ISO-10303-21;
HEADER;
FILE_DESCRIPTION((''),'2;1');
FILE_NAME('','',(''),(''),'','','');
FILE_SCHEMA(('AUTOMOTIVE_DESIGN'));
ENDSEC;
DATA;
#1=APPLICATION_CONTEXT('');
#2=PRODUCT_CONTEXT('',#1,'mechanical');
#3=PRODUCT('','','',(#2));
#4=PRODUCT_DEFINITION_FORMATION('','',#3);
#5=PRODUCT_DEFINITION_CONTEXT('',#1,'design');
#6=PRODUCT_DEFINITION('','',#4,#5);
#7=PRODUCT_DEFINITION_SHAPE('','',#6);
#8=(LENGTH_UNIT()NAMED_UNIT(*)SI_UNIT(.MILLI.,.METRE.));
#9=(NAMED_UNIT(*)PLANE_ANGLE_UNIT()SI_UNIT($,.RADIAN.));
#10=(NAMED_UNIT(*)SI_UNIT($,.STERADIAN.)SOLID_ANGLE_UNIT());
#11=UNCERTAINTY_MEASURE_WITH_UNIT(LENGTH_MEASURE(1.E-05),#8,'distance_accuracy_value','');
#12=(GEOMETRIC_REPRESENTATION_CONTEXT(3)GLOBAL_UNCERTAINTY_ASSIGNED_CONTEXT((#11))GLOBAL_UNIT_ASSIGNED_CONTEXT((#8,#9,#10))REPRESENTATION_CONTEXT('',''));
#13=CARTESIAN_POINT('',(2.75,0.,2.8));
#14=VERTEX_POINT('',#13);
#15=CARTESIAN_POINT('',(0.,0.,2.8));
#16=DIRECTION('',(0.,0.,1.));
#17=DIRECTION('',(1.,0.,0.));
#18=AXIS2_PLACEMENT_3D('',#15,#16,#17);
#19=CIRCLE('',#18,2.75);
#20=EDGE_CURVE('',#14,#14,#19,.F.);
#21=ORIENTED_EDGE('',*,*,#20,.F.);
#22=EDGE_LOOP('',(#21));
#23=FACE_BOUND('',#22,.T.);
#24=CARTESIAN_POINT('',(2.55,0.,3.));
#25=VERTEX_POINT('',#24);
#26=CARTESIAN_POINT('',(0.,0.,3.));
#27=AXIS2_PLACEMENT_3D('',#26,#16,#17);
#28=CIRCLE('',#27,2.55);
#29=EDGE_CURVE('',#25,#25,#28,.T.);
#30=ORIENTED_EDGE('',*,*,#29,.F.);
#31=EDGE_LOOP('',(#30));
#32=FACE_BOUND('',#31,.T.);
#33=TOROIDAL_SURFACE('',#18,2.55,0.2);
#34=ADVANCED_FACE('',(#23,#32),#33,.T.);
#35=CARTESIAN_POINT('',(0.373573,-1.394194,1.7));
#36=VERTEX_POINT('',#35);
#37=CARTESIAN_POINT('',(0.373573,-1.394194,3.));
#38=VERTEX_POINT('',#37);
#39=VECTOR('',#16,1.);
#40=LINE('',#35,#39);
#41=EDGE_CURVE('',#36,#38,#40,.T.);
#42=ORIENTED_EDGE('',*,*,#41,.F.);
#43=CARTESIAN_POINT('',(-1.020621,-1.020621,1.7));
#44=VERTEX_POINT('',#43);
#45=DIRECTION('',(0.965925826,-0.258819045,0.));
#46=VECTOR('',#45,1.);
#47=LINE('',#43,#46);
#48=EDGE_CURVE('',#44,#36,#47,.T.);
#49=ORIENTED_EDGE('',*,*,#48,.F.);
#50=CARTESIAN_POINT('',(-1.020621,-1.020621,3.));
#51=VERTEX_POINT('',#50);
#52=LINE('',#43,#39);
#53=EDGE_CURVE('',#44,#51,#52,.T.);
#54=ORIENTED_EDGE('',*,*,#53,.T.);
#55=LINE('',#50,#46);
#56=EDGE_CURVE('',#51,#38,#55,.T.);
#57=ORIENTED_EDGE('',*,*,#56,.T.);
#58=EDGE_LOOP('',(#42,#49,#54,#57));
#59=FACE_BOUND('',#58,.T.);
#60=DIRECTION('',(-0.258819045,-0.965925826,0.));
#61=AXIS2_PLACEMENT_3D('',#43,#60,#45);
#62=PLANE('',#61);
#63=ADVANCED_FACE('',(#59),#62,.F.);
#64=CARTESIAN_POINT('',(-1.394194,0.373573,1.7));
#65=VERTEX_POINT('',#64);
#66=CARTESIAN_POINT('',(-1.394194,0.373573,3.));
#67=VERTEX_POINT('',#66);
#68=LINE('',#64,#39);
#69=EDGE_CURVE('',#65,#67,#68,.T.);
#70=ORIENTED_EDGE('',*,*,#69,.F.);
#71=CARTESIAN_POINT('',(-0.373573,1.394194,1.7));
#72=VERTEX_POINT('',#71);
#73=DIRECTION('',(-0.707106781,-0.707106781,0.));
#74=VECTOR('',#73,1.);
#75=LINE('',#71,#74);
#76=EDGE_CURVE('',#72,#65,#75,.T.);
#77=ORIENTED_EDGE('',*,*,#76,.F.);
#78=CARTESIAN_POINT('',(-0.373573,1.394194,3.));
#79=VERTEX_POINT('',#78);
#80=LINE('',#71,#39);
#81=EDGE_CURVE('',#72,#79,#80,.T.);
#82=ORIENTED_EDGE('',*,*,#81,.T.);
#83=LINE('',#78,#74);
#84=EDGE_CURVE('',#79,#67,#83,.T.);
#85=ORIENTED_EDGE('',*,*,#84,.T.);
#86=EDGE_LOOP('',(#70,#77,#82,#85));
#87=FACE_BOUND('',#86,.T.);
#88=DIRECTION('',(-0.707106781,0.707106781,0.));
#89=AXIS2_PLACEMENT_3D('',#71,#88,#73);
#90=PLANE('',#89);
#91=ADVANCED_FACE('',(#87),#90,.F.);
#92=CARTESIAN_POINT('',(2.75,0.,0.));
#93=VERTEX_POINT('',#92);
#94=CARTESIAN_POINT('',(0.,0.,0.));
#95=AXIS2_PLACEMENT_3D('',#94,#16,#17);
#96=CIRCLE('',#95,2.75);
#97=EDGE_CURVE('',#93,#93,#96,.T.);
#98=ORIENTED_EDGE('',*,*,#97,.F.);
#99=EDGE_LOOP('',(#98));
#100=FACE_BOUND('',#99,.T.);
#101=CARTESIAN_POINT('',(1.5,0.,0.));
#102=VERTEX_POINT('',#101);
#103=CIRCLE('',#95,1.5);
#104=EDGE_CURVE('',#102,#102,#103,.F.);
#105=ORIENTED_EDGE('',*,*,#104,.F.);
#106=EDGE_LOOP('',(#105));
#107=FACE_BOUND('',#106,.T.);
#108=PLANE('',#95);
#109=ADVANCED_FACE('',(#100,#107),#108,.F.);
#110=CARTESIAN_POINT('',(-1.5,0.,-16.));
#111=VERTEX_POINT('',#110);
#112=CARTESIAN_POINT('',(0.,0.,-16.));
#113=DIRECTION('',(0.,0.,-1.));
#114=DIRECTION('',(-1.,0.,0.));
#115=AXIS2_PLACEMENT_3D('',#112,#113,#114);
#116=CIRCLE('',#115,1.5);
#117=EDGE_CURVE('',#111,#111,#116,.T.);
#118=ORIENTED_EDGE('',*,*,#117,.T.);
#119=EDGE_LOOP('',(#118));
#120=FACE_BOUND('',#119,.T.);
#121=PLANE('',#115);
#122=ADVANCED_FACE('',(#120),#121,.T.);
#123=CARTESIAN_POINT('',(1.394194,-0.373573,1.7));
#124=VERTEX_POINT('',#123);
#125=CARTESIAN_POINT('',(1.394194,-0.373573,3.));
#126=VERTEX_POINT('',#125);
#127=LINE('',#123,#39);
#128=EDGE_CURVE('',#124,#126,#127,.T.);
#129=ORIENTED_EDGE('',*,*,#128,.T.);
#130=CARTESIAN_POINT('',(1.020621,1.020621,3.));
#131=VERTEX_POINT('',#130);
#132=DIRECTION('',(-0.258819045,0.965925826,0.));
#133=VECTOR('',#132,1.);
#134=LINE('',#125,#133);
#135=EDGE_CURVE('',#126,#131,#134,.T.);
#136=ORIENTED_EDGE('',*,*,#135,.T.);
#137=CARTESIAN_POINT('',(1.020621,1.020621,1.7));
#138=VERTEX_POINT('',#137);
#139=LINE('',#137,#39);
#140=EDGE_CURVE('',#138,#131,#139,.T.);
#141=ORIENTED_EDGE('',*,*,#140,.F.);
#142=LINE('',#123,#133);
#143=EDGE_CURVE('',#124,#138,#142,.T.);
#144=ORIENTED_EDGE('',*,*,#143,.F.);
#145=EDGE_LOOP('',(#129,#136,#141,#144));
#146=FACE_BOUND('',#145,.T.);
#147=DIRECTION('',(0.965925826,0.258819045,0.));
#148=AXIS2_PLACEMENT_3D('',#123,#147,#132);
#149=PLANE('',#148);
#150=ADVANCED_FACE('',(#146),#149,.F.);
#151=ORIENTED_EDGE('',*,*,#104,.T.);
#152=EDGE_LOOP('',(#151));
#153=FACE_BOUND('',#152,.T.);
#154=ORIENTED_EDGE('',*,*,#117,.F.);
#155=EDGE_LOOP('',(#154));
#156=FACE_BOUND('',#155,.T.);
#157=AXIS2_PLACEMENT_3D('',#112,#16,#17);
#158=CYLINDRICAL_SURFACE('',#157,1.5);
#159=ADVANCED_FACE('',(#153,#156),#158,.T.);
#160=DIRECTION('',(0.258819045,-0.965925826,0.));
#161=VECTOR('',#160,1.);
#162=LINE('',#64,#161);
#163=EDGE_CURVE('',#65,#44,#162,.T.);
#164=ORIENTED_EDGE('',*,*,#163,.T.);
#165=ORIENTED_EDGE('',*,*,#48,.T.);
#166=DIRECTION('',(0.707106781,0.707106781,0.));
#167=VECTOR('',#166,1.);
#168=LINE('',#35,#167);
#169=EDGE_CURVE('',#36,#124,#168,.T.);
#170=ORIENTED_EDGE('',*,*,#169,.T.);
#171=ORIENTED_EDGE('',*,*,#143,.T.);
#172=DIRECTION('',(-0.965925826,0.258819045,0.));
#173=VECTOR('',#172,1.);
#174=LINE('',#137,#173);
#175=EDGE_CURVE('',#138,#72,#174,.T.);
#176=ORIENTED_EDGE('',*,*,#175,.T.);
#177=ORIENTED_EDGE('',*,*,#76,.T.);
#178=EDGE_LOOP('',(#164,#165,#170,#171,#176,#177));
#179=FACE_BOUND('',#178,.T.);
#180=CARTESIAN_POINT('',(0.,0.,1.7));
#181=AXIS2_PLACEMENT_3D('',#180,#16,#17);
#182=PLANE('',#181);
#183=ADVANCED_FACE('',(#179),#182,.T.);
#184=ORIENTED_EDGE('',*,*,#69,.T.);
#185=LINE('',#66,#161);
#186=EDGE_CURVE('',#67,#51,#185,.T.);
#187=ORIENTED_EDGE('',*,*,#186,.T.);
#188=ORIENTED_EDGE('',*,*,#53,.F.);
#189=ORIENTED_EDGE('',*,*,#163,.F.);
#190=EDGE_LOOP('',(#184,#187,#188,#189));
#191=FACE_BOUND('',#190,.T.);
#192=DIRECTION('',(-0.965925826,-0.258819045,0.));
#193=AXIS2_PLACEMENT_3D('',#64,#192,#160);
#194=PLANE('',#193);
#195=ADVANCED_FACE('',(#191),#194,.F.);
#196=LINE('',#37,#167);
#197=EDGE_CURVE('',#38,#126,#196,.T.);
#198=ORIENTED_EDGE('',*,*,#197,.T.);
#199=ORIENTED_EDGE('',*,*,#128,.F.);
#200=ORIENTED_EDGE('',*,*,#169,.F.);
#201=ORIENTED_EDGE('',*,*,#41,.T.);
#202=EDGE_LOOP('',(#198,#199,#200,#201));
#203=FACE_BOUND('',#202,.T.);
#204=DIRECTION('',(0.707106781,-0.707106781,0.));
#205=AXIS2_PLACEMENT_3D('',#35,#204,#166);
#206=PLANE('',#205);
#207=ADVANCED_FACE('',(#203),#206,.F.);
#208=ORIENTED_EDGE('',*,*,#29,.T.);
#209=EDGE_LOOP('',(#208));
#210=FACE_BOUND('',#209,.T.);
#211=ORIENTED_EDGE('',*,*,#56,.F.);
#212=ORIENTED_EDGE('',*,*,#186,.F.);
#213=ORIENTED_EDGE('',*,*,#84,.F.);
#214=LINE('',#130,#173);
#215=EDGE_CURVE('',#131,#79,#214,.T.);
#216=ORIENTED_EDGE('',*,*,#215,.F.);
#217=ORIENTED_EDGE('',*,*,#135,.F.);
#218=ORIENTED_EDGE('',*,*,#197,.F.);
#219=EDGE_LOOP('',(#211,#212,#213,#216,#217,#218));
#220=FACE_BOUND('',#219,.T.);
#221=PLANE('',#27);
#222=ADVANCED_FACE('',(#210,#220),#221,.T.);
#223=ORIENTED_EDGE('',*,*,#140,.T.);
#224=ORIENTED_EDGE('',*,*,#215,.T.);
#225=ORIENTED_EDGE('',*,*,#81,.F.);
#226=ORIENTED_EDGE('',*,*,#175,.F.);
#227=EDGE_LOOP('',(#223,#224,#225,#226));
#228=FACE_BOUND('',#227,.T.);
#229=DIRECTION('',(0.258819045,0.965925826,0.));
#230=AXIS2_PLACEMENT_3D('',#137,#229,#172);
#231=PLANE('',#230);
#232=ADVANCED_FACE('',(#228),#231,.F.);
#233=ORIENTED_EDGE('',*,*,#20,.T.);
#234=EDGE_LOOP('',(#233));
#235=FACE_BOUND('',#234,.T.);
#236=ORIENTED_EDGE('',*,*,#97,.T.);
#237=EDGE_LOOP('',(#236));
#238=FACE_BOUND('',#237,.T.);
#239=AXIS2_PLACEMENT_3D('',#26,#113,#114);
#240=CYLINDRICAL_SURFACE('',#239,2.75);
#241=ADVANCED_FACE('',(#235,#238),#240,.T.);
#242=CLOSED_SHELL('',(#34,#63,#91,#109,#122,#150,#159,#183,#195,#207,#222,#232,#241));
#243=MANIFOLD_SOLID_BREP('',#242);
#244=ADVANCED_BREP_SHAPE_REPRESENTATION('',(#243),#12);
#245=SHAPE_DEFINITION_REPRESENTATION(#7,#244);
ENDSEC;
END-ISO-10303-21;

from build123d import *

# Parameters (mm, degrees)
SKETCH_1_R          = 2.75
EXTRUDE_1_DEPTH     = 3
CUT_EXTRUDE_1_DEPTH = 1.3
SKETCH_3_R          = 1.5
EXTRUDE_2_DEPTH     = 16
FILLET_1_R          = 0.2


with BuildPart() as part:
    # 草图1 → 凸台-拉伸1 (new body)
    with BuildSketch(Plane.XY):
        Circle(SKETCH_1_R)
    extrude(amount=EXTRUDE_1_DEPTH)

    # 草图2 → 切除-拉伸1 (cut)
    with BuildSketch(Plane.XY.offset(3)):
        Polygon((-1.020620726, -1.020620726), (0.373573113, -1.39419384), (1.39419384, -0.373573113), (1.020620726, 1.020620726), (-0.373573113, 1.39419384), (-1.39419384, 0.373573113), align=None)
    extrude(amount=-CUT_EXTRUDE_1_DEPTH, mode=Mode.SUBTRACT)

    # 草图3 → 凸台-拉伸2 (add)
    with BuildSketch(Plane(origin=(0, 0, 0), x_dir=(-1, 0, 0), z_dir=(0, 0, -1))):
        with Locations(Location((0, 0, 0), (0, 0, 180))):
            Circle(SKETCH_3_R)
    extrude(amount=EXTRUDE_2_DEPTH)

    # 圆角1
    fillet_1_edges = [part.edges().sort_by_distance(p)[0] for p in [
        (-2.75, 0, 3),
    ]]
    fillet(fillet_1_edges, radius=FILLET_1_R)


solid = part.part
